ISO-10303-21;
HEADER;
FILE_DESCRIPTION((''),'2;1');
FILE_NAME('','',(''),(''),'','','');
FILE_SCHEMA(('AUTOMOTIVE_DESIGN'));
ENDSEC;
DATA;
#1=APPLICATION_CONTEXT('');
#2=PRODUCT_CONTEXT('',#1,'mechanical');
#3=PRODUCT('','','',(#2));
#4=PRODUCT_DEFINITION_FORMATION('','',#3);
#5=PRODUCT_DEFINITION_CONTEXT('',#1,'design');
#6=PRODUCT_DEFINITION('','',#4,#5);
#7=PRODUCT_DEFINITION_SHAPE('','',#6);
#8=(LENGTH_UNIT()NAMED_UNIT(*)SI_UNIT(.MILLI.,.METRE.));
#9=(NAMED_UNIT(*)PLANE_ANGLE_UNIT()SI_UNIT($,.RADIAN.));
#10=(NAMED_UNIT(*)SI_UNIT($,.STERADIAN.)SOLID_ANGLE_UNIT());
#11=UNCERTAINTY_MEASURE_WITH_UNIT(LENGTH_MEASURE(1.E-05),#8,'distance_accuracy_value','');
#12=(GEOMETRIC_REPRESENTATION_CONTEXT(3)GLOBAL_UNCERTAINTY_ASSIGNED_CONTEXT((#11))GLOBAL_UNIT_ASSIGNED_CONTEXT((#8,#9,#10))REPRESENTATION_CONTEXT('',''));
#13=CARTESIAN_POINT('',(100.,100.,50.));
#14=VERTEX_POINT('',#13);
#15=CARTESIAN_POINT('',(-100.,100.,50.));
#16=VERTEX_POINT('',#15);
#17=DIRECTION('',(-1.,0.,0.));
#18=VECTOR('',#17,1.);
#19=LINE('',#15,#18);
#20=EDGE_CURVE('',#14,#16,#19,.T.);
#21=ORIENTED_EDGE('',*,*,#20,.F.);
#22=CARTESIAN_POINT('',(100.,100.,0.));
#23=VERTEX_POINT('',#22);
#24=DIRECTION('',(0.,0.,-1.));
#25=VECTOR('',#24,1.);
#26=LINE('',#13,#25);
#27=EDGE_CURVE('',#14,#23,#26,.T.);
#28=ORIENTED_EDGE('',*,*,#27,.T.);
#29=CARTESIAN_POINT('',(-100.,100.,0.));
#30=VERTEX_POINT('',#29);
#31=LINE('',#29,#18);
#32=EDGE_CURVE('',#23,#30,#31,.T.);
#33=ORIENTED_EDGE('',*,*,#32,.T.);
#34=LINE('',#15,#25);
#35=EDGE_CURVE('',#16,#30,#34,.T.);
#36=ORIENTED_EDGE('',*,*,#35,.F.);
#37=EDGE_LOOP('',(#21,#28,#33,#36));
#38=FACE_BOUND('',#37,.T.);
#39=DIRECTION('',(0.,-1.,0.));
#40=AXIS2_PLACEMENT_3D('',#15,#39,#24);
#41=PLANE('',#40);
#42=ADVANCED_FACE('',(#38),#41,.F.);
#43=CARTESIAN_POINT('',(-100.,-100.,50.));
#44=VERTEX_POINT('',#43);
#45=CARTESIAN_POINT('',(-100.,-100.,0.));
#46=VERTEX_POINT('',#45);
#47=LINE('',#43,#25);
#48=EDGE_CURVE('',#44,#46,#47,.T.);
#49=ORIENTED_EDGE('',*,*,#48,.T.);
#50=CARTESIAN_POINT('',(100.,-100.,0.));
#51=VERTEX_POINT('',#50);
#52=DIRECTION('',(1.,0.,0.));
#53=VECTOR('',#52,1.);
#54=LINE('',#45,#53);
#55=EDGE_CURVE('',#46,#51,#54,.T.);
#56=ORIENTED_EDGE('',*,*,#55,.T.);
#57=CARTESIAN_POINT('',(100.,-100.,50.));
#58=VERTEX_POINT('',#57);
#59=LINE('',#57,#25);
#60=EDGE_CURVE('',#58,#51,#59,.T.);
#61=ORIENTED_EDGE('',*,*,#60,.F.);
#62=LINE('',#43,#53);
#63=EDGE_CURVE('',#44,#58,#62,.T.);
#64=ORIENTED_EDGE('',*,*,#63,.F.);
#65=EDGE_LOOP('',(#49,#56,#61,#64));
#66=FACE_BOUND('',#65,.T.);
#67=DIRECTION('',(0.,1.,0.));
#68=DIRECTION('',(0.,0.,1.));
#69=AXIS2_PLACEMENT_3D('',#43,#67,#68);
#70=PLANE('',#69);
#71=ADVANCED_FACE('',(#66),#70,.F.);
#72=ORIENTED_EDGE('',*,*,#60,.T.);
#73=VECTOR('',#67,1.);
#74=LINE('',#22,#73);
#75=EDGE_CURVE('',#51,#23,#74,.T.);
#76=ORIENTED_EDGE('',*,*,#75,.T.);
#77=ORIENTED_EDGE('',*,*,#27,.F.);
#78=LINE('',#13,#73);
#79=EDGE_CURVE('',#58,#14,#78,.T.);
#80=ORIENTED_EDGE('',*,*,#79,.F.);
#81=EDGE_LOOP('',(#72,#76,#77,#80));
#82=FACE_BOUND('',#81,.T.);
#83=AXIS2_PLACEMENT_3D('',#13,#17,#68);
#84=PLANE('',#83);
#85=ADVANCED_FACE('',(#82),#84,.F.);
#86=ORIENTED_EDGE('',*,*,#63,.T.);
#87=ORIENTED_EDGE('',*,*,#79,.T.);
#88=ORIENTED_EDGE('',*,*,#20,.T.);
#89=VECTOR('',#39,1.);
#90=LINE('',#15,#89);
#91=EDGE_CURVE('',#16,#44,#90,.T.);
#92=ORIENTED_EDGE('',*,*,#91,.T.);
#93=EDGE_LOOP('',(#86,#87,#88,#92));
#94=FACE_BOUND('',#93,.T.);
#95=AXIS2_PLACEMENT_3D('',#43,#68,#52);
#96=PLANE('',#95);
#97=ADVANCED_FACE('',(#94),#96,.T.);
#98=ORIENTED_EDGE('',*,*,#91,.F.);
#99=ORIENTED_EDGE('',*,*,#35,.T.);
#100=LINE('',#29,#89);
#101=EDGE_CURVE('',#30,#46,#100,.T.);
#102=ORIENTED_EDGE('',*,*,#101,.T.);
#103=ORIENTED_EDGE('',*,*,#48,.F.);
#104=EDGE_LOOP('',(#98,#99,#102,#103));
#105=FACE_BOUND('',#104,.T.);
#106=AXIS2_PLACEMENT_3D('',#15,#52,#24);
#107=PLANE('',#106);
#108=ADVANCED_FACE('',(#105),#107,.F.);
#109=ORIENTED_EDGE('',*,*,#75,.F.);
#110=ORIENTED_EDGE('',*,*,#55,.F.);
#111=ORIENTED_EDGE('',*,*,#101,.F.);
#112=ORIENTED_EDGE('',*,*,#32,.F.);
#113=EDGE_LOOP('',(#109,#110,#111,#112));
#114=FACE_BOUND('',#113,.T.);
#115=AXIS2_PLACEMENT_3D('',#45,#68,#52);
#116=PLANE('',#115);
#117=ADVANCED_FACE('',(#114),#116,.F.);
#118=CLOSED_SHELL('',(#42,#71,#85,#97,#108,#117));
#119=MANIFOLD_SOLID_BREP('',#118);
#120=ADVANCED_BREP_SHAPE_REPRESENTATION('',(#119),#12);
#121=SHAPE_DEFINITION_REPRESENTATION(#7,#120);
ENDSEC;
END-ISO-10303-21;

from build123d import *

# Parameters (mm, degrees)
ESQUISSE1_W      = 200
ESQUISSE1_H      = 200
EXTRUSION1_DEPTH = 50


with BuildPart() as part:
    # Esquisse1 → Extrusion1 (new body)
    with BuildSketch(Plane.XY):
        Rectangle(ESQUISSE1_W, ESQUISSE1_H)
    extrude(amount=EXTRUSION1_DEPTH)


solid = part.part
